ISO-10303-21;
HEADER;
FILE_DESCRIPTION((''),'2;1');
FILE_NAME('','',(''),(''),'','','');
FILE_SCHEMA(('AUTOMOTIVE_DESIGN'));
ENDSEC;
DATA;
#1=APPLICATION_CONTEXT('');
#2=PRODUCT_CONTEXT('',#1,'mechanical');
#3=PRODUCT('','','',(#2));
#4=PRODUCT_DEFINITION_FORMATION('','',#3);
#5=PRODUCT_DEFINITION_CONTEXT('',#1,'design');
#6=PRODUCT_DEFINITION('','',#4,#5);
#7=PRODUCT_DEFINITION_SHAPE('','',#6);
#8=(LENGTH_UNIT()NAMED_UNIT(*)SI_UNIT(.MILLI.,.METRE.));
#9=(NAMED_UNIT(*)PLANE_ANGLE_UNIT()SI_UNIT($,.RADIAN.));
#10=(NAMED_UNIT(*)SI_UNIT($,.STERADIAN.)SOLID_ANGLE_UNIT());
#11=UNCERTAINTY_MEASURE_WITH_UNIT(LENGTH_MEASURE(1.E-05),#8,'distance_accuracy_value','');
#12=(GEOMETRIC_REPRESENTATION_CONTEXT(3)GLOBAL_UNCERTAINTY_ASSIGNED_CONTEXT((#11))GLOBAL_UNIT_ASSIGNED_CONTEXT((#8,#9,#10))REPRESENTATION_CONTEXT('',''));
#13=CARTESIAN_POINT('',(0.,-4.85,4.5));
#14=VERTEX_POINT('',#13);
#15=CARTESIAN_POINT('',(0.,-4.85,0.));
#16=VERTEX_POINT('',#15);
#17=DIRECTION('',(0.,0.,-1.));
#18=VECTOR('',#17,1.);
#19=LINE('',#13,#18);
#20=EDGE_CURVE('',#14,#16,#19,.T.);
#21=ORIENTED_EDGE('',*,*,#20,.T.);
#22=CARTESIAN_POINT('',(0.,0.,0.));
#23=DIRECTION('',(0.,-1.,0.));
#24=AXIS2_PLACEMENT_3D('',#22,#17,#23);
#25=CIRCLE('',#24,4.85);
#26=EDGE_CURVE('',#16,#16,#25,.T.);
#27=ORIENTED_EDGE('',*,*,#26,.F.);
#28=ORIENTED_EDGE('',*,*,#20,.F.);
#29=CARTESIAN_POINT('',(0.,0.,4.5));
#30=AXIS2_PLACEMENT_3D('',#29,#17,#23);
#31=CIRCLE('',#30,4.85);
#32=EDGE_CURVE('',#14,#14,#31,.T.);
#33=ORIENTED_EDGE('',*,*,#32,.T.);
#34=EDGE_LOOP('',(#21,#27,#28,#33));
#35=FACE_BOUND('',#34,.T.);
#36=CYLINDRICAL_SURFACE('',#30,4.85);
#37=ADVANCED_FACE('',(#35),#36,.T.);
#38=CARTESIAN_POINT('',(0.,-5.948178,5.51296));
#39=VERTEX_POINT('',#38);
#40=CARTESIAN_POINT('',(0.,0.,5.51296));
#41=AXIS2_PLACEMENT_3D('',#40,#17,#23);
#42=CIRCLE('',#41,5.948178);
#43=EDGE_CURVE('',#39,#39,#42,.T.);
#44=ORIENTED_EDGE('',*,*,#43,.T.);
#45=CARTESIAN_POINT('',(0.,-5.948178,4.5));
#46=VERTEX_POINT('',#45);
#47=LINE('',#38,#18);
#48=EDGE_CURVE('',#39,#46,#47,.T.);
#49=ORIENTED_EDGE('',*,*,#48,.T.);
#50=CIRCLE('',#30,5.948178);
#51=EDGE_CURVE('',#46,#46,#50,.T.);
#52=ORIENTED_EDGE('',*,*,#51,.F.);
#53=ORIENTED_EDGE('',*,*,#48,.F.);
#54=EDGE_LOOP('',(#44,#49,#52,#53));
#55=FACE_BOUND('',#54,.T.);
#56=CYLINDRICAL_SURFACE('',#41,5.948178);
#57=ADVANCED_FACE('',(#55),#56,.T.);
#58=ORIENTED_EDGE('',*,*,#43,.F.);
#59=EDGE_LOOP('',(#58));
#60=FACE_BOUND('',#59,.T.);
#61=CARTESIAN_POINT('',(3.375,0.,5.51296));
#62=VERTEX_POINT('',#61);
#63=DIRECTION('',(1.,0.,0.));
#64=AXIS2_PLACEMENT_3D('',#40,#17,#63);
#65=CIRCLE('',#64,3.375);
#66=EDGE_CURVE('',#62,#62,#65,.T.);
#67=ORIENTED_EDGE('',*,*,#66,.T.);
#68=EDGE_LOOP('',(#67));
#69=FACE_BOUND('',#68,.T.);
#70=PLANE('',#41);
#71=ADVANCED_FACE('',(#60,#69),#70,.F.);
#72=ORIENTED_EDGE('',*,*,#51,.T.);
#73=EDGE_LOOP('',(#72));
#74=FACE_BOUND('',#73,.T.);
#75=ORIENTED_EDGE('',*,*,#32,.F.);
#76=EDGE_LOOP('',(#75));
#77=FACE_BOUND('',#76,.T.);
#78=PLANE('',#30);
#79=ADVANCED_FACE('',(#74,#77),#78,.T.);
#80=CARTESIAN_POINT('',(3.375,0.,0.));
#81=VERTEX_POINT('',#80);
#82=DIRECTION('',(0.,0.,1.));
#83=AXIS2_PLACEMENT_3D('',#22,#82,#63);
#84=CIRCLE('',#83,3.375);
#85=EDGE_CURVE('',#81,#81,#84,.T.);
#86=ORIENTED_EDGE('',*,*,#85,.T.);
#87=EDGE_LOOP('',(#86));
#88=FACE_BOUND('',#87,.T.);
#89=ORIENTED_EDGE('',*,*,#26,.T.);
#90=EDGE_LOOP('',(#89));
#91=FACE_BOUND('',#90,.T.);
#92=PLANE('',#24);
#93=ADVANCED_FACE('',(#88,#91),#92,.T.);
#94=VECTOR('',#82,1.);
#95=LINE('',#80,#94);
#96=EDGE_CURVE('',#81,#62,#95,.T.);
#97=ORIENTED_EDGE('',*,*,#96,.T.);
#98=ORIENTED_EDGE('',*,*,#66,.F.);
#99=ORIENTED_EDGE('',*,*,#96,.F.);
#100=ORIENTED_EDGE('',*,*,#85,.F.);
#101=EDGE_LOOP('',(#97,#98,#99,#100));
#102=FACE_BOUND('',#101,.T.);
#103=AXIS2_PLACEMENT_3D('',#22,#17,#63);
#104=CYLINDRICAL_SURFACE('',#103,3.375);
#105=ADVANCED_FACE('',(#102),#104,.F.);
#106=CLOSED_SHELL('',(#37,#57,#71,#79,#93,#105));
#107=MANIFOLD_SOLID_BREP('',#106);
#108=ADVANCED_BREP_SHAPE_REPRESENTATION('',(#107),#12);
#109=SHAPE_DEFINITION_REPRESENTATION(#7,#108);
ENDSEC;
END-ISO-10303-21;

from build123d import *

# Parameters (mm, degrees)
F2_R     = 3.375
F3_DEPTH = 6.76984


with BuildPart() as f1:
    # F0 (on Right) → F1 (revolve)
    with BuildSketch(Plane.YZ):
        Polygon((-5.948178, 4.5), (-4.85, 4.5), (-4.85, 0), (0, 0), (0, 5.51296), (-5.948178, 5.51296), align=None)
    revolve(axis=Axis((0, 0, 2.75648), (0, 0, -1)))

    # F2 (on Top) → F3 (cut)
    with BuildSketch(Plane.XY):
        Circle(F2_R)
    extrude(amount=F3_DEPTH, mode=Mode.SUBTRACT)


solid = f1.part
